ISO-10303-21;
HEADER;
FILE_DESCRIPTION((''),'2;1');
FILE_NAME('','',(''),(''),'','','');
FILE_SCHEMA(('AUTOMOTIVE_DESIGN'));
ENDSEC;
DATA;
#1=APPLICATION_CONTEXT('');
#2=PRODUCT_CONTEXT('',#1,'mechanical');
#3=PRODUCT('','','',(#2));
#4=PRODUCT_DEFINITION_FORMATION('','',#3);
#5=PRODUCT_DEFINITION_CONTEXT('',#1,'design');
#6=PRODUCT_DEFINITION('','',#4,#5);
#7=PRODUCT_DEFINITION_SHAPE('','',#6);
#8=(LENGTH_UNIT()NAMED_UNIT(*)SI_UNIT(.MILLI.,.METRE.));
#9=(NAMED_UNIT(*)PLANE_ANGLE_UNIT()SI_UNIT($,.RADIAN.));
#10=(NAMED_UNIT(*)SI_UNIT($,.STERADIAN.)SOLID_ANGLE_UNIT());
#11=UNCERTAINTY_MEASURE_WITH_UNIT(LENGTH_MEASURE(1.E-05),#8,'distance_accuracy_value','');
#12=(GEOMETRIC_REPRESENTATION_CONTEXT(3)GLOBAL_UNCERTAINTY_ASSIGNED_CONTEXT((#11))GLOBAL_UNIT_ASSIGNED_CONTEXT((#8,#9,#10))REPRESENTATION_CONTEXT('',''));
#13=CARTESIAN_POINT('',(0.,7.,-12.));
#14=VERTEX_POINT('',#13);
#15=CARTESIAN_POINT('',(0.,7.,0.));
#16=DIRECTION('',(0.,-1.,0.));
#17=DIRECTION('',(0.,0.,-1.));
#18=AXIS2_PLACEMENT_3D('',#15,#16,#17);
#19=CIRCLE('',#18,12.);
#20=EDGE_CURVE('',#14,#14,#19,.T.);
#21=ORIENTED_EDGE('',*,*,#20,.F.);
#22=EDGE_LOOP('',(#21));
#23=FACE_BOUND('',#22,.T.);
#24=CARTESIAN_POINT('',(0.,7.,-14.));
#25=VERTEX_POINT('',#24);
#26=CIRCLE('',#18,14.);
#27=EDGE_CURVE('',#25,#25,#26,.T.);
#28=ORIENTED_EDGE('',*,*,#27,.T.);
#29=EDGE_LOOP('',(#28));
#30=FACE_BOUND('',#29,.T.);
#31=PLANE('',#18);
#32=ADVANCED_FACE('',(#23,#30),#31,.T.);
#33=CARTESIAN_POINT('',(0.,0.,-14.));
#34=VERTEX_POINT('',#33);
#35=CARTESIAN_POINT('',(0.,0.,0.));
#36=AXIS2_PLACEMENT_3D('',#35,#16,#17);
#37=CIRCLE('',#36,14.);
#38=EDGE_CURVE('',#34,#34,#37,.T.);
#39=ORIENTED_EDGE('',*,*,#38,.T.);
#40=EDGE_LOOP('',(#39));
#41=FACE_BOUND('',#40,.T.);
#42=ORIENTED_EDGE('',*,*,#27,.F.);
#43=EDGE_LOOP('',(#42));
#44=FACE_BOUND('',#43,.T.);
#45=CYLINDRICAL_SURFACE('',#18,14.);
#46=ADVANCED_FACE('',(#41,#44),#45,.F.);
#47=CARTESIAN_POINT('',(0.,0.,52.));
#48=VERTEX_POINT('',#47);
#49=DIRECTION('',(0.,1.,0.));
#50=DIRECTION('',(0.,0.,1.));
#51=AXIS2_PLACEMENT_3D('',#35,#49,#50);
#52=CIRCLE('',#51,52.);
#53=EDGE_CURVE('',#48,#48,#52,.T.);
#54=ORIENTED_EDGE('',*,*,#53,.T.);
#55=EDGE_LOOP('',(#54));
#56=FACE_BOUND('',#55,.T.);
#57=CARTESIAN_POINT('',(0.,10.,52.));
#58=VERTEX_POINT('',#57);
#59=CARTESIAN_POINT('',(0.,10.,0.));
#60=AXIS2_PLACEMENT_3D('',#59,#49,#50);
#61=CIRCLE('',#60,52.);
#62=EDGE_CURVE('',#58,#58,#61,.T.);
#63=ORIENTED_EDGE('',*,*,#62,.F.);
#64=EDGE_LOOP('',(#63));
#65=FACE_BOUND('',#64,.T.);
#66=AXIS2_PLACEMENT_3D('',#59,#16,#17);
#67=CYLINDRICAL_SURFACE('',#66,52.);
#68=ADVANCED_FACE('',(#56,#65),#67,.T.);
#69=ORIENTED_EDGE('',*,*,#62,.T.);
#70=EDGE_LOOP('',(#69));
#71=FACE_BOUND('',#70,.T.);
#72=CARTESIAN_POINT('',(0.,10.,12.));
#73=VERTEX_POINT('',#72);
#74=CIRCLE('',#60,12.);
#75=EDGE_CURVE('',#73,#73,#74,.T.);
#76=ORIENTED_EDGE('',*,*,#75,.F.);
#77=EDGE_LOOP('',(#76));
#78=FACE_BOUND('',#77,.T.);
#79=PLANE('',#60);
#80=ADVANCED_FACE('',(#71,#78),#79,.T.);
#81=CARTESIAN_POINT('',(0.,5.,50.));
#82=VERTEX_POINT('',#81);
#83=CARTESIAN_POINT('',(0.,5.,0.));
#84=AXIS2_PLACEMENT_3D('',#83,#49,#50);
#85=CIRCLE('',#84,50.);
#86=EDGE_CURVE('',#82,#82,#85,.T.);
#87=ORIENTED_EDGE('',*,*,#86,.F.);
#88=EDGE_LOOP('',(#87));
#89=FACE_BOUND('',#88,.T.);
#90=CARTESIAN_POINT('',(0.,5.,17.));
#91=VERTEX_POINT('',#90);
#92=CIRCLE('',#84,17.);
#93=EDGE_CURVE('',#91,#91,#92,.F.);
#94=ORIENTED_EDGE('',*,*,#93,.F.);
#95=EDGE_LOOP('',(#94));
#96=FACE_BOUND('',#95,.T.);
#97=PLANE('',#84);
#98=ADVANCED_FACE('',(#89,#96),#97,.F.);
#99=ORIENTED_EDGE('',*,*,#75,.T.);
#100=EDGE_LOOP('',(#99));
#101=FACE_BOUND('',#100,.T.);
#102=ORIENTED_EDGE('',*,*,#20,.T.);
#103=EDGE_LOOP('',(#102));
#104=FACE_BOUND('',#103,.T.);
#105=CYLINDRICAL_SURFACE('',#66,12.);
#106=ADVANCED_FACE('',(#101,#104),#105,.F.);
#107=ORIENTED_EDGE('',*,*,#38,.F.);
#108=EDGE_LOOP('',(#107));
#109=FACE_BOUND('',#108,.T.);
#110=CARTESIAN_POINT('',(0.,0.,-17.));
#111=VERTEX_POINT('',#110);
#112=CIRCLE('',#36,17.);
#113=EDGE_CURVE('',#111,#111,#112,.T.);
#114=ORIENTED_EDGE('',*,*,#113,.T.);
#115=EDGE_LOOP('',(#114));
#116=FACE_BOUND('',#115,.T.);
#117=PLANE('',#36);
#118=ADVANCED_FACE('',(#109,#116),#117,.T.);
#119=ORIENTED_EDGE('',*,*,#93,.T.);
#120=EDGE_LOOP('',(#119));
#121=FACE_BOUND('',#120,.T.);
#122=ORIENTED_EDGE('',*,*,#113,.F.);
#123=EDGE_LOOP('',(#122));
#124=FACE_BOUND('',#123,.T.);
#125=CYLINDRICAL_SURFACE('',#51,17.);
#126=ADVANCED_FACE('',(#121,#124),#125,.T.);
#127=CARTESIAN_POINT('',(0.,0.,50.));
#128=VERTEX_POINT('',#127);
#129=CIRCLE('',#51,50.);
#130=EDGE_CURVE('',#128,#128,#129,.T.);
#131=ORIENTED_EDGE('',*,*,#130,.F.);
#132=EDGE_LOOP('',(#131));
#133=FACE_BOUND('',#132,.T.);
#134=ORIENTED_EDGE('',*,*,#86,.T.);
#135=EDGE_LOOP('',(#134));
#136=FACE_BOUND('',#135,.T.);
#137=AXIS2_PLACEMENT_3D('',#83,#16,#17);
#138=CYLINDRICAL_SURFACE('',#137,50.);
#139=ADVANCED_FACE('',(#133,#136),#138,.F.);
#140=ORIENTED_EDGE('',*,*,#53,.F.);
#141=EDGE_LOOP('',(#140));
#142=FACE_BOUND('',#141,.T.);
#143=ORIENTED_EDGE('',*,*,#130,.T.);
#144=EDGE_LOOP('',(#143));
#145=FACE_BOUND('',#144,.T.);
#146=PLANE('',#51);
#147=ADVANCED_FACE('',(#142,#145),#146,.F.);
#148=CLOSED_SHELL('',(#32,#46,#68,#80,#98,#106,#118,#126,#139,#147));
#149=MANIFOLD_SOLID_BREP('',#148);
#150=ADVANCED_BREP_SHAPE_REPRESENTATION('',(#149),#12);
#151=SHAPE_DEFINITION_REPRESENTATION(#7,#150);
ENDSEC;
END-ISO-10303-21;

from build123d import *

# Parameters (mm, degrees)
SKETCH1_R           = 52
BOSS_EXTRUDE1_DEPTH = 10
SKETCH2_R           = 50
CUT_EXTRUDE4_DEPTH  = 5
SKETCH3_R           = 12
CUT_EXTRUDE7_DEPTH  = 10
SKETCH4_R           = 17
BOSS_EXTRUDE2_DEPTH = 5
SKETCH5_R           = 14
CUT_EXTRUDE8_DEPTH  = 7


with BuildPart() as part:
    # Sketch1 → Boss-Extrude1 (new body)
    with BuildSketch(Plane(origin=(0, 0, 0), x_dir=(1, 0, 0), z_dir=(0, 1, 0))):
        with Locations(Location((0, 0, 0), (0, 0, 270))):
            Circle(SKETCH1_R)
    extrude(amount=BOSS_EXTRUDE1_DEPTH)

    # Sketch2 → Cut-Extrude4 (cut)
    with BuildSketch(Plane(origin=(0, 0, 0), x_dir=(1, 0, 0), z_dir=(0, 1, 0))):
        with Locations(Location((0, 0, 0), (0, 0, 270))):
            Circle(SKETCH2_R)
    extrude(amount=CUT_EXTRUDE4_DEPTH, mode=Mode.SUBTRACT)

    # Sketch3 → Cut-Extrude7 (cut)
    with BuildSketch(Plane(origin=(0, 0, 0), x_dir=(1, 0, 0), z_dir=(0, 1, 0))):
        with Locations(Location((0, 0, 0), (0, 0, 270))):
            Circle(SKETCH3_R)
    extrude(amount=CUT_EXTRUDE7_DEPTH, mode=Mode.SUBTRACT)

    # Sketch4 → Boss-Extrude2 (add)
    with BuildSketch(Plane.XZ.offset(-5)):
        with Locations(Location((0, 0, 0), (0, 0, 90))):
            Circle(SKETCH4_R)
    extrude(amount=BOSS_EXTRUDE2_DEPTH)

    # Sketch5 → Cut-Extrude8 (cut)
    with BuildSketch(Plane.XZ):
        with Locations(Location((0, 0, 0), (0, 0, 270))):
            Circle(SKETCH5_R)
    extrude(amount=-CUT_EXTRUDE8_DEPTH, mode=Mode.SUBTRACT)


solid = part.part
